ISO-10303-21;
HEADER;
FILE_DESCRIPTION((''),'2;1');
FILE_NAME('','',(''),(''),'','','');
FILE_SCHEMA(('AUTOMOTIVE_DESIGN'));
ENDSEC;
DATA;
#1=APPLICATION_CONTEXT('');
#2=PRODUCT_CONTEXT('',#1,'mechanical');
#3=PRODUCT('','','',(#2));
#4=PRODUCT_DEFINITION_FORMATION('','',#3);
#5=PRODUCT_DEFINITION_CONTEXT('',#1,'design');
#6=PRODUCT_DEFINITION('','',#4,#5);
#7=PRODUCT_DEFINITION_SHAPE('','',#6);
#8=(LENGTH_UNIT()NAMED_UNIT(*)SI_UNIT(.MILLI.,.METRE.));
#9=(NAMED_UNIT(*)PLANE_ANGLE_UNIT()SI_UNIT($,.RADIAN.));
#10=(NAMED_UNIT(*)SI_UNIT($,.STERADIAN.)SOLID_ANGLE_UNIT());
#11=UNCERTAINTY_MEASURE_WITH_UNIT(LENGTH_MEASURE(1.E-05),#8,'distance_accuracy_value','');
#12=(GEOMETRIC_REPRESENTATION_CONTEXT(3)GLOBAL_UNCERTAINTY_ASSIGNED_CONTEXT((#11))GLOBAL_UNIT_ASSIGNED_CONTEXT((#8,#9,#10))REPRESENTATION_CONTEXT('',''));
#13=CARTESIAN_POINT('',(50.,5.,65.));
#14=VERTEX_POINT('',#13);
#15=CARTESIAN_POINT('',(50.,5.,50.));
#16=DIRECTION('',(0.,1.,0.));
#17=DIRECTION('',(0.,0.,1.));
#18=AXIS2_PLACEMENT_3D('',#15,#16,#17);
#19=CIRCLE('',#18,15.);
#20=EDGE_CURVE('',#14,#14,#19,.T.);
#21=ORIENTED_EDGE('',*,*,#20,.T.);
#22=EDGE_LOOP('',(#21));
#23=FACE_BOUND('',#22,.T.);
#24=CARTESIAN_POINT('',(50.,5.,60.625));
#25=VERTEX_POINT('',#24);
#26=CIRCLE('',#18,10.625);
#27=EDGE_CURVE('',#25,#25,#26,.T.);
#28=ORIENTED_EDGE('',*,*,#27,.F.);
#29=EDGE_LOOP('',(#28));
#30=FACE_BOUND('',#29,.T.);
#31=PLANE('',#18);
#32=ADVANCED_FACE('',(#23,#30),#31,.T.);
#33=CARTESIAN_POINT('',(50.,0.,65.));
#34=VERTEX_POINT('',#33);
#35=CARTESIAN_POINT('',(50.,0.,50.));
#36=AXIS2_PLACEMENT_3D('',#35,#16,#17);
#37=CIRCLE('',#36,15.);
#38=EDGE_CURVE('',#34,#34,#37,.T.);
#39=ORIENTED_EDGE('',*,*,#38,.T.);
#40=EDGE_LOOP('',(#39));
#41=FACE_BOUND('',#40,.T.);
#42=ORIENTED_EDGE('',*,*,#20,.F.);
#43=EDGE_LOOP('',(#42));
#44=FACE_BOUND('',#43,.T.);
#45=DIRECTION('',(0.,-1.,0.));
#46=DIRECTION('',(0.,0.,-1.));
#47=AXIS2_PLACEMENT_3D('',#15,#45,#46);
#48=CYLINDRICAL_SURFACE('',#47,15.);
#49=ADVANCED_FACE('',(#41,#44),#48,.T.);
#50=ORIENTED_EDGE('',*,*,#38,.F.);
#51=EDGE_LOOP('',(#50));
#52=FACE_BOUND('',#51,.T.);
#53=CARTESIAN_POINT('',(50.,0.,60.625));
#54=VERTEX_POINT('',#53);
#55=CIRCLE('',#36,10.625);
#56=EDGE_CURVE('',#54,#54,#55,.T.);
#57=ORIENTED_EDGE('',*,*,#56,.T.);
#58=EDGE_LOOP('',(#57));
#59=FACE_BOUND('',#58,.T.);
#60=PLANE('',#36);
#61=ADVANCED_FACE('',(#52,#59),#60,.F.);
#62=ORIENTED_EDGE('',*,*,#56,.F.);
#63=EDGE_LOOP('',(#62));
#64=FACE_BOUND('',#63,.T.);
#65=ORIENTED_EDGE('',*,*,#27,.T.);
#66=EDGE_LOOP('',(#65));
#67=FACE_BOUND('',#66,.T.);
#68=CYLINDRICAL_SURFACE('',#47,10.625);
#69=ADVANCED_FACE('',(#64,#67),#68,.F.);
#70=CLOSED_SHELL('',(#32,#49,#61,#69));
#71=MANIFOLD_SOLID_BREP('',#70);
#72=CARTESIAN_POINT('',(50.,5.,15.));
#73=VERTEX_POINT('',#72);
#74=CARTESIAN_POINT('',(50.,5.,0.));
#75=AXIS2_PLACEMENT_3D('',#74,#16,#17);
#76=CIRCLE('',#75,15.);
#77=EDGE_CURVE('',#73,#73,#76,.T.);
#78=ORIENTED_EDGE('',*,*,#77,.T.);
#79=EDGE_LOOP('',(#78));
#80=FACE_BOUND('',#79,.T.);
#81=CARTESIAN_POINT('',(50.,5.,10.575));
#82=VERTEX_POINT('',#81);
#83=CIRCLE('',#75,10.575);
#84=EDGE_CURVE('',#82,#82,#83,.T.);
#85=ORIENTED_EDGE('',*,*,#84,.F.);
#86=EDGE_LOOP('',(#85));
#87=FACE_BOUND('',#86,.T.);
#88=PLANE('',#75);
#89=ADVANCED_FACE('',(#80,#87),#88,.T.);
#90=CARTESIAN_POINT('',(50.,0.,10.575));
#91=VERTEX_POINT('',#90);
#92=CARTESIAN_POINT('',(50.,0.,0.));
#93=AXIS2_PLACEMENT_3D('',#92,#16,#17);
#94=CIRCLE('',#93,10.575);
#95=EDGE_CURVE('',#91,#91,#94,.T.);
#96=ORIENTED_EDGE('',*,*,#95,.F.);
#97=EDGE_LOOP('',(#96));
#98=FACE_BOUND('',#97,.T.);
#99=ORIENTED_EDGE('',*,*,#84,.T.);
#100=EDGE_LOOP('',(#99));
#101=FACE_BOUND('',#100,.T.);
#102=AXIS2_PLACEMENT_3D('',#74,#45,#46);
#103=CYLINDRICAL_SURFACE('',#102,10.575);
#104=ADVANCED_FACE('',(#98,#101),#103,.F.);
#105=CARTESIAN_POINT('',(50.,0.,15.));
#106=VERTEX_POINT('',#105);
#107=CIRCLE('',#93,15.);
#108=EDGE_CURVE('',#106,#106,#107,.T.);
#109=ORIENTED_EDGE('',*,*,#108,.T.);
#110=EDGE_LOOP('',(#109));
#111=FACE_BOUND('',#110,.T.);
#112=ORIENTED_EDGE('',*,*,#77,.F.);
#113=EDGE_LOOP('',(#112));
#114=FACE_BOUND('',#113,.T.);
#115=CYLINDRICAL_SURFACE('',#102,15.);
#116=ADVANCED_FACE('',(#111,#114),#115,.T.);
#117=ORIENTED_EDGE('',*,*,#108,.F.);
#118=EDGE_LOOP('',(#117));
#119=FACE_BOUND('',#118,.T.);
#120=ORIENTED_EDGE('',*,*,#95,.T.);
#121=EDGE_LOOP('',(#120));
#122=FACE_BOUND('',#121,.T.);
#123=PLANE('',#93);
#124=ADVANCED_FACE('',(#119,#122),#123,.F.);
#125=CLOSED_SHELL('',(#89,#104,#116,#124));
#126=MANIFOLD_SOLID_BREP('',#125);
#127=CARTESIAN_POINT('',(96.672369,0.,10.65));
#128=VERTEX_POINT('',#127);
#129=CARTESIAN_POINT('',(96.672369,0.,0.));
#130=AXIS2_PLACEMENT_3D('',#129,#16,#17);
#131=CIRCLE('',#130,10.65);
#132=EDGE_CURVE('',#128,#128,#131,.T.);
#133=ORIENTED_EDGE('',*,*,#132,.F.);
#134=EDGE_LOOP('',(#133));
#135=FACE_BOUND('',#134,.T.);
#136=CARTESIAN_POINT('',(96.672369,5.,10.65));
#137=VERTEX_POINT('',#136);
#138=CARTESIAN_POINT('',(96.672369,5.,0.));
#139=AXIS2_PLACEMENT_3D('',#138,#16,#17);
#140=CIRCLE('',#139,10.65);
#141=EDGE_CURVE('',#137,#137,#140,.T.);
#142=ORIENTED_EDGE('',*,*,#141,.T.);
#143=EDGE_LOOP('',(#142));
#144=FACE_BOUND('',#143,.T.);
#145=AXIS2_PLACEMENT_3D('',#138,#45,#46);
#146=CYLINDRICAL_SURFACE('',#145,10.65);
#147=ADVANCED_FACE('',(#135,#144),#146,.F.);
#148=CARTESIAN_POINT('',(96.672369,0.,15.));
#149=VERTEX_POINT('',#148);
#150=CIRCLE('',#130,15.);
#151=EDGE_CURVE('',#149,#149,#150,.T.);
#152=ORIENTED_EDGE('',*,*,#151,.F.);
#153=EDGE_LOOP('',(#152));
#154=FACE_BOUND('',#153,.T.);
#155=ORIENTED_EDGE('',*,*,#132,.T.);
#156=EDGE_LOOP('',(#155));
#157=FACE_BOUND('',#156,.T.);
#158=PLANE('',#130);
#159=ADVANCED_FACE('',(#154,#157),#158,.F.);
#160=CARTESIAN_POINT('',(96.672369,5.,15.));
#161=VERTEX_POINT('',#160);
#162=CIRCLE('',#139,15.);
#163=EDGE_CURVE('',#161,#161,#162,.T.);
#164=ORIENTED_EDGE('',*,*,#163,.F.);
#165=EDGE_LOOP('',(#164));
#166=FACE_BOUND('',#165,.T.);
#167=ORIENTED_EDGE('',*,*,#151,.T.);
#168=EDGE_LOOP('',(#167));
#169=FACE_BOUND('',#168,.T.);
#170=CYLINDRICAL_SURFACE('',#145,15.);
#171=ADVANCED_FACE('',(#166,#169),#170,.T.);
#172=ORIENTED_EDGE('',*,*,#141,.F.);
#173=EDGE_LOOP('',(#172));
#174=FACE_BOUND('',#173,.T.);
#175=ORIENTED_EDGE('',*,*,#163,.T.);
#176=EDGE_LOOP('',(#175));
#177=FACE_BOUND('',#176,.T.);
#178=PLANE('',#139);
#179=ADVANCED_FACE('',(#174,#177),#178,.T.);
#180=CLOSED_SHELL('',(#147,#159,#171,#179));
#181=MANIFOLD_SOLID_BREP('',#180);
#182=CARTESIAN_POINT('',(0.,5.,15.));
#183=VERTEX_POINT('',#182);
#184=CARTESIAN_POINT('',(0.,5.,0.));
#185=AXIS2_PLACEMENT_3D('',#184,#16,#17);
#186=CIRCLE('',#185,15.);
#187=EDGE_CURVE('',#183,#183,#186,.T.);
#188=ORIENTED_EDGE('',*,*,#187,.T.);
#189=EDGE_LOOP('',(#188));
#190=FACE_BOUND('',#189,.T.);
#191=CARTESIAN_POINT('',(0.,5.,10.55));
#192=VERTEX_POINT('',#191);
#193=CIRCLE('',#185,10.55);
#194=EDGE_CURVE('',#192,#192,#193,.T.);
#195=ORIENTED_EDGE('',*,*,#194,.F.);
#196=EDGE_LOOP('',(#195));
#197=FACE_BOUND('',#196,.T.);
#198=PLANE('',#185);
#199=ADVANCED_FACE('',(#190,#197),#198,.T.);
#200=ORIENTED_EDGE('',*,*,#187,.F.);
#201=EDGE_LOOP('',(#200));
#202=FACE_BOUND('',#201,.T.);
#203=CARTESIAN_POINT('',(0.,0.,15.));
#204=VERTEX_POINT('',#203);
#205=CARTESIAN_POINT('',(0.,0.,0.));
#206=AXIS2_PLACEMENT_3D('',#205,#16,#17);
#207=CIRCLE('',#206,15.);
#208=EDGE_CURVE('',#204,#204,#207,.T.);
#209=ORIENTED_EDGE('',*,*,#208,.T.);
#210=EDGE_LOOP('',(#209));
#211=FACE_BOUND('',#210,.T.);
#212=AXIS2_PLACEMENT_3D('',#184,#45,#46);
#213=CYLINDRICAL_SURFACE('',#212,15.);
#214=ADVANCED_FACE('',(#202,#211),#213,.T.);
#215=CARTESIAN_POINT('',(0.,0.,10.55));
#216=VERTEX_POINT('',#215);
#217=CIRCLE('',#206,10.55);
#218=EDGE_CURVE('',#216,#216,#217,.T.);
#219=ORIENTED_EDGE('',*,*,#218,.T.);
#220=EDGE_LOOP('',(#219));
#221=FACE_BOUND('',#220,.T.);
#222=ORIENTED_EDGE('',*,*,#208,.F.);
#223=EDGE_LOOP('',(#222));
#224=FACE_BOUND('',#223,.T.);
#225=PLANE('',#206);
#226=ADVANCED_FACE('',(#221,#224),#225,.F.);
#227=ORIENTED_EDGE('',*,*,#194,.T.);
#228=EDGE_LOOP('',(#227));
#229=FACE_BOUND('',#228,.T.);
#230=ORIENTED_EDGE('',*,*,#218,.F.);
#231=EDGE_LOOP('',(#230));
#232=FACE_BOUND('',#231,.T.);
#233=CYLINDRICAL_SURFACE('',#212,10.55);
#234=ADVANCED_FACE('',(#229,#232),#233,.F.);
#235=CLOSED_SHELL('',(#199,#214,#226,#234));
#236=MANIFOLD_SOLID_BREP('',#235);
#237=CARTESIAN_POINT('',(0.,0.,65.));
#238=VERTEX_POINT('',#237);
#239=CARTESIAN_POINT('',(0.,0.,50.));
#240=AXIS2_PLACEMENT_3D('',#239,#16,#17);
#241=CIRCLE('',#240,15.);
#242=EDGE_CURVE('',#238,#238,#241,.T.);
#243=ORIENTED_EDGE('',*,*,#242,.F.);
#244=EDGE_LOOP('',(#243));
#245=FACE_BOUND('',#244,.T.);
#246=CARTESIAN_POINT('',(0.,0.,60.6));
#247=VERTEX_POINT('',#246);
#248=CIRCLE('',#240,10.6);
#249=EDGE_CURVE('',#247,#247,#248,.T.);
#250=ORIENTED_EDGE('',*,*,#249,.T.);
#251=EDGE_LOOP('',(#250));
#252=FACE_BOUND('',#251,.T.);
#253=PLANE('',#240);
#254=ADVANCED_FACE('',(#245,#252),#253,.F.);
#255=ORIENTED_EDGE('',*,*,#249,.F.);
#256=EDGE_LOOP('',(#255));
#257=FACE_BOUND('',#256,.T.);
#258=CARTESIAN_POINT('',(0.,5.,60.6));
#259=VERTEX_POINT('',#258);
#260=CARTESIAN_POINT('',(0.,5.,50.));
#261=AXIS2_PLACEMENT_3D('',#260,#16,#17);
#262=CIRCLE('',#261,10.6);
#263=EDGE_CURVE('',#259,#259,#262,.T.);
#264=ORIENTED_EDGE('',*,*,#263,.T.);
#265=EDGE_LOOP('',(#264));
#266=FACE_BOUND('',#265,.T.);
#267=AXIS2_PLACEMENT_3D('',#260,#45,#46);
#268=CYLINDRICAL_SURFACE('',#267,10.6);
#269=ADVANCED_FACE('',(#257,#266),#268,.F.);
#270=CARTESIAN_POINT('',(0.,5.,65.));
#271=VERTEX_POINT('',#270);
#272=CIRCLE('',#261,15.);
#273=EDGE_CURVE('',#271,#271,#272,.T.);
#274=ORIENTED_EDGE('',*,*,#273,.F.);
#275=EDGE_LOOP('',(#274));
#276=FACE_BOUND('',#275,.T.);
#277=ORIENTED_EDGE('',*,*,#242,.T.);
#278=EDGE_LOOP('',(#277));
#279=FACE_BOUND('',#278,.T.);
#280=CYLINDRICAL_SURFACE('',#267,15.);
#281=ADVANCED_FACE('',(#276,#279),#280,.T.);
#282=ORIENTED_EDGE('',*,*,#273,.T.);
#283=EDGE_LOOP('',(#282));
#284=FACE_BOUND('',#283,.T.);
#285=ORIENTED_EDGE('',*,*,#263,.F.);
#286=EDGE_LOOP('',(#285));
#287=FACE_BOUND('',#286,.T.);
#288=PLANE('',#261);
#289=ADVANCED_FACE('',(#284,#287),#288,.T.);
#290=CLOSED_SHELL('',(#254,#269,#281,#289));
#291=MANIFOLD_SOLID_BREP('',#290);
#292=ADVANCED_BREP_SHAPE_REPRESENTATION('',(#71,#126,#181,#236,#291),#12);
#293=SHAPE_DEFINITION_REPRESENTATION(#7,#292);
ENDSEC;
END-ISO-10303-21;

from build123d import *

# Parameters (mm, degrees)
SKETCH1_R             = 15
SKETCH1_R_2           = 10.55
BOSS_EXTRUDE1_DEPTH   = 5
SKETCH1_R_3           = 10.575
BOSS_EXTRUDE1_2_DEPTH = 5
SKETCH1_R_4           = 10.6
BOSS_EXTRUDE1_3_DEPTH = 5
SKETCH1_R_5           = 10.625
BOSS_EXTRUDE1_4_DEPTH = 5
SKETCH1_R_6           = 10.65
BOSS_EXTRUDE1_5_DEPTH = 5


with BuildPart() as part:
    # Sketch1 → Boss-Extrude1 (new body)
    with BuildSketch(Plane(origin=(0, 0, 0), x_dir=(1, 0, 0), z_dir=(0, 1, 0))):
        with Locations(Location((0, 0, 0), (0, 0, 270))):
            Circle(SKETCH1_R)
        with Locations(Location((0, 0, 0), (0, 0, 270))):
            Circle(SKETCH1_R_2, mode=Mode.SUBTRACT)
    extrude(amount=BOSS_EXTRUDE1_DEPTH)


with BuildPart() as body_2:
    # Sketch1 → Boss-Extrude1 2 (new body)
    with BuildSketch(Plane(origin=(0, 0, 0), x_dir=(1, 0, 0), z_dir=(0, 1, 0))):
        with Locations(Location((50, 0, 0), (0, 0, 270))):
            Circle(SKETCH1_R)
        with Locations(Location((50, 0, 0), (0, 0, 270))):
            Circle(SKETCH1_R_3, mode=Mode.SUBTRACT)
    extrude(amount=BOSS_EXTRUDE1_2_DEPTH)


with BuildPart() as body_3:
    # Sketch1 → Boss-Extrude1 3 (new body)
    with BuildSketch(Plane(origin=(0, 0, 0), x_dir=(1, 0, 0), z_dir=(0, 1, 0))):
        with Locations(Location((0, -50, 0), (0, 0, 270))):
            Circle(SKETCH1_R)
        with Locations(Location((0, -50, 0), (0, 0, 270))):
            Circle(SKETCH1_R_4, mode=Mode.SUBTRACT)
    extrude(amount=BOSS_EXTRUDE1_3_DEPTH)


with BuildPart() as body_4:
    # Sketch1 → Boss-Extrude1 4 (new body)
    with BuildSketch(Plane(origin=(0, 0, 0), x_dir=(1, 0, 0), z_dir=(0, 1, 0))):
        with Locations(Location((50, -50, 0), (0, 0, 270))):
            Circle(SKETCH1_R)
        with Locations(Location((50, -50, 0), (0, 0, 270))):
            Circle(SKETCH1_R_5, mode=Mode.SUBTRACT)
    extrude(amount=BOSS_EXTRUDE1_4_DEPTH)


with BuildPart() as body_5:
    # Sketch1 → Boss-Extrude1 5 (new body)
    with BuildSketch(Plane(origin=(0, 0, 0), x_dir=(1, 0, 0), z_dir=(0, 1, 0))):
        with Locations(Location((96.672369259, 0, 0), (0, 0, 270))):
            Circle(SKETCH1_R)
        with Locations(Location((96.672369259, 0, 0), (0, 0, 270))):
            Circle(SKETCH1_R_6, mode=Mode.SUBTRACT)
    extrude(amount=BOSS_EXTRUDE1_5_DEPTH)


solid = Compound([part.part, body_2.part, body_3.part, body_4.part, body_5.part])
